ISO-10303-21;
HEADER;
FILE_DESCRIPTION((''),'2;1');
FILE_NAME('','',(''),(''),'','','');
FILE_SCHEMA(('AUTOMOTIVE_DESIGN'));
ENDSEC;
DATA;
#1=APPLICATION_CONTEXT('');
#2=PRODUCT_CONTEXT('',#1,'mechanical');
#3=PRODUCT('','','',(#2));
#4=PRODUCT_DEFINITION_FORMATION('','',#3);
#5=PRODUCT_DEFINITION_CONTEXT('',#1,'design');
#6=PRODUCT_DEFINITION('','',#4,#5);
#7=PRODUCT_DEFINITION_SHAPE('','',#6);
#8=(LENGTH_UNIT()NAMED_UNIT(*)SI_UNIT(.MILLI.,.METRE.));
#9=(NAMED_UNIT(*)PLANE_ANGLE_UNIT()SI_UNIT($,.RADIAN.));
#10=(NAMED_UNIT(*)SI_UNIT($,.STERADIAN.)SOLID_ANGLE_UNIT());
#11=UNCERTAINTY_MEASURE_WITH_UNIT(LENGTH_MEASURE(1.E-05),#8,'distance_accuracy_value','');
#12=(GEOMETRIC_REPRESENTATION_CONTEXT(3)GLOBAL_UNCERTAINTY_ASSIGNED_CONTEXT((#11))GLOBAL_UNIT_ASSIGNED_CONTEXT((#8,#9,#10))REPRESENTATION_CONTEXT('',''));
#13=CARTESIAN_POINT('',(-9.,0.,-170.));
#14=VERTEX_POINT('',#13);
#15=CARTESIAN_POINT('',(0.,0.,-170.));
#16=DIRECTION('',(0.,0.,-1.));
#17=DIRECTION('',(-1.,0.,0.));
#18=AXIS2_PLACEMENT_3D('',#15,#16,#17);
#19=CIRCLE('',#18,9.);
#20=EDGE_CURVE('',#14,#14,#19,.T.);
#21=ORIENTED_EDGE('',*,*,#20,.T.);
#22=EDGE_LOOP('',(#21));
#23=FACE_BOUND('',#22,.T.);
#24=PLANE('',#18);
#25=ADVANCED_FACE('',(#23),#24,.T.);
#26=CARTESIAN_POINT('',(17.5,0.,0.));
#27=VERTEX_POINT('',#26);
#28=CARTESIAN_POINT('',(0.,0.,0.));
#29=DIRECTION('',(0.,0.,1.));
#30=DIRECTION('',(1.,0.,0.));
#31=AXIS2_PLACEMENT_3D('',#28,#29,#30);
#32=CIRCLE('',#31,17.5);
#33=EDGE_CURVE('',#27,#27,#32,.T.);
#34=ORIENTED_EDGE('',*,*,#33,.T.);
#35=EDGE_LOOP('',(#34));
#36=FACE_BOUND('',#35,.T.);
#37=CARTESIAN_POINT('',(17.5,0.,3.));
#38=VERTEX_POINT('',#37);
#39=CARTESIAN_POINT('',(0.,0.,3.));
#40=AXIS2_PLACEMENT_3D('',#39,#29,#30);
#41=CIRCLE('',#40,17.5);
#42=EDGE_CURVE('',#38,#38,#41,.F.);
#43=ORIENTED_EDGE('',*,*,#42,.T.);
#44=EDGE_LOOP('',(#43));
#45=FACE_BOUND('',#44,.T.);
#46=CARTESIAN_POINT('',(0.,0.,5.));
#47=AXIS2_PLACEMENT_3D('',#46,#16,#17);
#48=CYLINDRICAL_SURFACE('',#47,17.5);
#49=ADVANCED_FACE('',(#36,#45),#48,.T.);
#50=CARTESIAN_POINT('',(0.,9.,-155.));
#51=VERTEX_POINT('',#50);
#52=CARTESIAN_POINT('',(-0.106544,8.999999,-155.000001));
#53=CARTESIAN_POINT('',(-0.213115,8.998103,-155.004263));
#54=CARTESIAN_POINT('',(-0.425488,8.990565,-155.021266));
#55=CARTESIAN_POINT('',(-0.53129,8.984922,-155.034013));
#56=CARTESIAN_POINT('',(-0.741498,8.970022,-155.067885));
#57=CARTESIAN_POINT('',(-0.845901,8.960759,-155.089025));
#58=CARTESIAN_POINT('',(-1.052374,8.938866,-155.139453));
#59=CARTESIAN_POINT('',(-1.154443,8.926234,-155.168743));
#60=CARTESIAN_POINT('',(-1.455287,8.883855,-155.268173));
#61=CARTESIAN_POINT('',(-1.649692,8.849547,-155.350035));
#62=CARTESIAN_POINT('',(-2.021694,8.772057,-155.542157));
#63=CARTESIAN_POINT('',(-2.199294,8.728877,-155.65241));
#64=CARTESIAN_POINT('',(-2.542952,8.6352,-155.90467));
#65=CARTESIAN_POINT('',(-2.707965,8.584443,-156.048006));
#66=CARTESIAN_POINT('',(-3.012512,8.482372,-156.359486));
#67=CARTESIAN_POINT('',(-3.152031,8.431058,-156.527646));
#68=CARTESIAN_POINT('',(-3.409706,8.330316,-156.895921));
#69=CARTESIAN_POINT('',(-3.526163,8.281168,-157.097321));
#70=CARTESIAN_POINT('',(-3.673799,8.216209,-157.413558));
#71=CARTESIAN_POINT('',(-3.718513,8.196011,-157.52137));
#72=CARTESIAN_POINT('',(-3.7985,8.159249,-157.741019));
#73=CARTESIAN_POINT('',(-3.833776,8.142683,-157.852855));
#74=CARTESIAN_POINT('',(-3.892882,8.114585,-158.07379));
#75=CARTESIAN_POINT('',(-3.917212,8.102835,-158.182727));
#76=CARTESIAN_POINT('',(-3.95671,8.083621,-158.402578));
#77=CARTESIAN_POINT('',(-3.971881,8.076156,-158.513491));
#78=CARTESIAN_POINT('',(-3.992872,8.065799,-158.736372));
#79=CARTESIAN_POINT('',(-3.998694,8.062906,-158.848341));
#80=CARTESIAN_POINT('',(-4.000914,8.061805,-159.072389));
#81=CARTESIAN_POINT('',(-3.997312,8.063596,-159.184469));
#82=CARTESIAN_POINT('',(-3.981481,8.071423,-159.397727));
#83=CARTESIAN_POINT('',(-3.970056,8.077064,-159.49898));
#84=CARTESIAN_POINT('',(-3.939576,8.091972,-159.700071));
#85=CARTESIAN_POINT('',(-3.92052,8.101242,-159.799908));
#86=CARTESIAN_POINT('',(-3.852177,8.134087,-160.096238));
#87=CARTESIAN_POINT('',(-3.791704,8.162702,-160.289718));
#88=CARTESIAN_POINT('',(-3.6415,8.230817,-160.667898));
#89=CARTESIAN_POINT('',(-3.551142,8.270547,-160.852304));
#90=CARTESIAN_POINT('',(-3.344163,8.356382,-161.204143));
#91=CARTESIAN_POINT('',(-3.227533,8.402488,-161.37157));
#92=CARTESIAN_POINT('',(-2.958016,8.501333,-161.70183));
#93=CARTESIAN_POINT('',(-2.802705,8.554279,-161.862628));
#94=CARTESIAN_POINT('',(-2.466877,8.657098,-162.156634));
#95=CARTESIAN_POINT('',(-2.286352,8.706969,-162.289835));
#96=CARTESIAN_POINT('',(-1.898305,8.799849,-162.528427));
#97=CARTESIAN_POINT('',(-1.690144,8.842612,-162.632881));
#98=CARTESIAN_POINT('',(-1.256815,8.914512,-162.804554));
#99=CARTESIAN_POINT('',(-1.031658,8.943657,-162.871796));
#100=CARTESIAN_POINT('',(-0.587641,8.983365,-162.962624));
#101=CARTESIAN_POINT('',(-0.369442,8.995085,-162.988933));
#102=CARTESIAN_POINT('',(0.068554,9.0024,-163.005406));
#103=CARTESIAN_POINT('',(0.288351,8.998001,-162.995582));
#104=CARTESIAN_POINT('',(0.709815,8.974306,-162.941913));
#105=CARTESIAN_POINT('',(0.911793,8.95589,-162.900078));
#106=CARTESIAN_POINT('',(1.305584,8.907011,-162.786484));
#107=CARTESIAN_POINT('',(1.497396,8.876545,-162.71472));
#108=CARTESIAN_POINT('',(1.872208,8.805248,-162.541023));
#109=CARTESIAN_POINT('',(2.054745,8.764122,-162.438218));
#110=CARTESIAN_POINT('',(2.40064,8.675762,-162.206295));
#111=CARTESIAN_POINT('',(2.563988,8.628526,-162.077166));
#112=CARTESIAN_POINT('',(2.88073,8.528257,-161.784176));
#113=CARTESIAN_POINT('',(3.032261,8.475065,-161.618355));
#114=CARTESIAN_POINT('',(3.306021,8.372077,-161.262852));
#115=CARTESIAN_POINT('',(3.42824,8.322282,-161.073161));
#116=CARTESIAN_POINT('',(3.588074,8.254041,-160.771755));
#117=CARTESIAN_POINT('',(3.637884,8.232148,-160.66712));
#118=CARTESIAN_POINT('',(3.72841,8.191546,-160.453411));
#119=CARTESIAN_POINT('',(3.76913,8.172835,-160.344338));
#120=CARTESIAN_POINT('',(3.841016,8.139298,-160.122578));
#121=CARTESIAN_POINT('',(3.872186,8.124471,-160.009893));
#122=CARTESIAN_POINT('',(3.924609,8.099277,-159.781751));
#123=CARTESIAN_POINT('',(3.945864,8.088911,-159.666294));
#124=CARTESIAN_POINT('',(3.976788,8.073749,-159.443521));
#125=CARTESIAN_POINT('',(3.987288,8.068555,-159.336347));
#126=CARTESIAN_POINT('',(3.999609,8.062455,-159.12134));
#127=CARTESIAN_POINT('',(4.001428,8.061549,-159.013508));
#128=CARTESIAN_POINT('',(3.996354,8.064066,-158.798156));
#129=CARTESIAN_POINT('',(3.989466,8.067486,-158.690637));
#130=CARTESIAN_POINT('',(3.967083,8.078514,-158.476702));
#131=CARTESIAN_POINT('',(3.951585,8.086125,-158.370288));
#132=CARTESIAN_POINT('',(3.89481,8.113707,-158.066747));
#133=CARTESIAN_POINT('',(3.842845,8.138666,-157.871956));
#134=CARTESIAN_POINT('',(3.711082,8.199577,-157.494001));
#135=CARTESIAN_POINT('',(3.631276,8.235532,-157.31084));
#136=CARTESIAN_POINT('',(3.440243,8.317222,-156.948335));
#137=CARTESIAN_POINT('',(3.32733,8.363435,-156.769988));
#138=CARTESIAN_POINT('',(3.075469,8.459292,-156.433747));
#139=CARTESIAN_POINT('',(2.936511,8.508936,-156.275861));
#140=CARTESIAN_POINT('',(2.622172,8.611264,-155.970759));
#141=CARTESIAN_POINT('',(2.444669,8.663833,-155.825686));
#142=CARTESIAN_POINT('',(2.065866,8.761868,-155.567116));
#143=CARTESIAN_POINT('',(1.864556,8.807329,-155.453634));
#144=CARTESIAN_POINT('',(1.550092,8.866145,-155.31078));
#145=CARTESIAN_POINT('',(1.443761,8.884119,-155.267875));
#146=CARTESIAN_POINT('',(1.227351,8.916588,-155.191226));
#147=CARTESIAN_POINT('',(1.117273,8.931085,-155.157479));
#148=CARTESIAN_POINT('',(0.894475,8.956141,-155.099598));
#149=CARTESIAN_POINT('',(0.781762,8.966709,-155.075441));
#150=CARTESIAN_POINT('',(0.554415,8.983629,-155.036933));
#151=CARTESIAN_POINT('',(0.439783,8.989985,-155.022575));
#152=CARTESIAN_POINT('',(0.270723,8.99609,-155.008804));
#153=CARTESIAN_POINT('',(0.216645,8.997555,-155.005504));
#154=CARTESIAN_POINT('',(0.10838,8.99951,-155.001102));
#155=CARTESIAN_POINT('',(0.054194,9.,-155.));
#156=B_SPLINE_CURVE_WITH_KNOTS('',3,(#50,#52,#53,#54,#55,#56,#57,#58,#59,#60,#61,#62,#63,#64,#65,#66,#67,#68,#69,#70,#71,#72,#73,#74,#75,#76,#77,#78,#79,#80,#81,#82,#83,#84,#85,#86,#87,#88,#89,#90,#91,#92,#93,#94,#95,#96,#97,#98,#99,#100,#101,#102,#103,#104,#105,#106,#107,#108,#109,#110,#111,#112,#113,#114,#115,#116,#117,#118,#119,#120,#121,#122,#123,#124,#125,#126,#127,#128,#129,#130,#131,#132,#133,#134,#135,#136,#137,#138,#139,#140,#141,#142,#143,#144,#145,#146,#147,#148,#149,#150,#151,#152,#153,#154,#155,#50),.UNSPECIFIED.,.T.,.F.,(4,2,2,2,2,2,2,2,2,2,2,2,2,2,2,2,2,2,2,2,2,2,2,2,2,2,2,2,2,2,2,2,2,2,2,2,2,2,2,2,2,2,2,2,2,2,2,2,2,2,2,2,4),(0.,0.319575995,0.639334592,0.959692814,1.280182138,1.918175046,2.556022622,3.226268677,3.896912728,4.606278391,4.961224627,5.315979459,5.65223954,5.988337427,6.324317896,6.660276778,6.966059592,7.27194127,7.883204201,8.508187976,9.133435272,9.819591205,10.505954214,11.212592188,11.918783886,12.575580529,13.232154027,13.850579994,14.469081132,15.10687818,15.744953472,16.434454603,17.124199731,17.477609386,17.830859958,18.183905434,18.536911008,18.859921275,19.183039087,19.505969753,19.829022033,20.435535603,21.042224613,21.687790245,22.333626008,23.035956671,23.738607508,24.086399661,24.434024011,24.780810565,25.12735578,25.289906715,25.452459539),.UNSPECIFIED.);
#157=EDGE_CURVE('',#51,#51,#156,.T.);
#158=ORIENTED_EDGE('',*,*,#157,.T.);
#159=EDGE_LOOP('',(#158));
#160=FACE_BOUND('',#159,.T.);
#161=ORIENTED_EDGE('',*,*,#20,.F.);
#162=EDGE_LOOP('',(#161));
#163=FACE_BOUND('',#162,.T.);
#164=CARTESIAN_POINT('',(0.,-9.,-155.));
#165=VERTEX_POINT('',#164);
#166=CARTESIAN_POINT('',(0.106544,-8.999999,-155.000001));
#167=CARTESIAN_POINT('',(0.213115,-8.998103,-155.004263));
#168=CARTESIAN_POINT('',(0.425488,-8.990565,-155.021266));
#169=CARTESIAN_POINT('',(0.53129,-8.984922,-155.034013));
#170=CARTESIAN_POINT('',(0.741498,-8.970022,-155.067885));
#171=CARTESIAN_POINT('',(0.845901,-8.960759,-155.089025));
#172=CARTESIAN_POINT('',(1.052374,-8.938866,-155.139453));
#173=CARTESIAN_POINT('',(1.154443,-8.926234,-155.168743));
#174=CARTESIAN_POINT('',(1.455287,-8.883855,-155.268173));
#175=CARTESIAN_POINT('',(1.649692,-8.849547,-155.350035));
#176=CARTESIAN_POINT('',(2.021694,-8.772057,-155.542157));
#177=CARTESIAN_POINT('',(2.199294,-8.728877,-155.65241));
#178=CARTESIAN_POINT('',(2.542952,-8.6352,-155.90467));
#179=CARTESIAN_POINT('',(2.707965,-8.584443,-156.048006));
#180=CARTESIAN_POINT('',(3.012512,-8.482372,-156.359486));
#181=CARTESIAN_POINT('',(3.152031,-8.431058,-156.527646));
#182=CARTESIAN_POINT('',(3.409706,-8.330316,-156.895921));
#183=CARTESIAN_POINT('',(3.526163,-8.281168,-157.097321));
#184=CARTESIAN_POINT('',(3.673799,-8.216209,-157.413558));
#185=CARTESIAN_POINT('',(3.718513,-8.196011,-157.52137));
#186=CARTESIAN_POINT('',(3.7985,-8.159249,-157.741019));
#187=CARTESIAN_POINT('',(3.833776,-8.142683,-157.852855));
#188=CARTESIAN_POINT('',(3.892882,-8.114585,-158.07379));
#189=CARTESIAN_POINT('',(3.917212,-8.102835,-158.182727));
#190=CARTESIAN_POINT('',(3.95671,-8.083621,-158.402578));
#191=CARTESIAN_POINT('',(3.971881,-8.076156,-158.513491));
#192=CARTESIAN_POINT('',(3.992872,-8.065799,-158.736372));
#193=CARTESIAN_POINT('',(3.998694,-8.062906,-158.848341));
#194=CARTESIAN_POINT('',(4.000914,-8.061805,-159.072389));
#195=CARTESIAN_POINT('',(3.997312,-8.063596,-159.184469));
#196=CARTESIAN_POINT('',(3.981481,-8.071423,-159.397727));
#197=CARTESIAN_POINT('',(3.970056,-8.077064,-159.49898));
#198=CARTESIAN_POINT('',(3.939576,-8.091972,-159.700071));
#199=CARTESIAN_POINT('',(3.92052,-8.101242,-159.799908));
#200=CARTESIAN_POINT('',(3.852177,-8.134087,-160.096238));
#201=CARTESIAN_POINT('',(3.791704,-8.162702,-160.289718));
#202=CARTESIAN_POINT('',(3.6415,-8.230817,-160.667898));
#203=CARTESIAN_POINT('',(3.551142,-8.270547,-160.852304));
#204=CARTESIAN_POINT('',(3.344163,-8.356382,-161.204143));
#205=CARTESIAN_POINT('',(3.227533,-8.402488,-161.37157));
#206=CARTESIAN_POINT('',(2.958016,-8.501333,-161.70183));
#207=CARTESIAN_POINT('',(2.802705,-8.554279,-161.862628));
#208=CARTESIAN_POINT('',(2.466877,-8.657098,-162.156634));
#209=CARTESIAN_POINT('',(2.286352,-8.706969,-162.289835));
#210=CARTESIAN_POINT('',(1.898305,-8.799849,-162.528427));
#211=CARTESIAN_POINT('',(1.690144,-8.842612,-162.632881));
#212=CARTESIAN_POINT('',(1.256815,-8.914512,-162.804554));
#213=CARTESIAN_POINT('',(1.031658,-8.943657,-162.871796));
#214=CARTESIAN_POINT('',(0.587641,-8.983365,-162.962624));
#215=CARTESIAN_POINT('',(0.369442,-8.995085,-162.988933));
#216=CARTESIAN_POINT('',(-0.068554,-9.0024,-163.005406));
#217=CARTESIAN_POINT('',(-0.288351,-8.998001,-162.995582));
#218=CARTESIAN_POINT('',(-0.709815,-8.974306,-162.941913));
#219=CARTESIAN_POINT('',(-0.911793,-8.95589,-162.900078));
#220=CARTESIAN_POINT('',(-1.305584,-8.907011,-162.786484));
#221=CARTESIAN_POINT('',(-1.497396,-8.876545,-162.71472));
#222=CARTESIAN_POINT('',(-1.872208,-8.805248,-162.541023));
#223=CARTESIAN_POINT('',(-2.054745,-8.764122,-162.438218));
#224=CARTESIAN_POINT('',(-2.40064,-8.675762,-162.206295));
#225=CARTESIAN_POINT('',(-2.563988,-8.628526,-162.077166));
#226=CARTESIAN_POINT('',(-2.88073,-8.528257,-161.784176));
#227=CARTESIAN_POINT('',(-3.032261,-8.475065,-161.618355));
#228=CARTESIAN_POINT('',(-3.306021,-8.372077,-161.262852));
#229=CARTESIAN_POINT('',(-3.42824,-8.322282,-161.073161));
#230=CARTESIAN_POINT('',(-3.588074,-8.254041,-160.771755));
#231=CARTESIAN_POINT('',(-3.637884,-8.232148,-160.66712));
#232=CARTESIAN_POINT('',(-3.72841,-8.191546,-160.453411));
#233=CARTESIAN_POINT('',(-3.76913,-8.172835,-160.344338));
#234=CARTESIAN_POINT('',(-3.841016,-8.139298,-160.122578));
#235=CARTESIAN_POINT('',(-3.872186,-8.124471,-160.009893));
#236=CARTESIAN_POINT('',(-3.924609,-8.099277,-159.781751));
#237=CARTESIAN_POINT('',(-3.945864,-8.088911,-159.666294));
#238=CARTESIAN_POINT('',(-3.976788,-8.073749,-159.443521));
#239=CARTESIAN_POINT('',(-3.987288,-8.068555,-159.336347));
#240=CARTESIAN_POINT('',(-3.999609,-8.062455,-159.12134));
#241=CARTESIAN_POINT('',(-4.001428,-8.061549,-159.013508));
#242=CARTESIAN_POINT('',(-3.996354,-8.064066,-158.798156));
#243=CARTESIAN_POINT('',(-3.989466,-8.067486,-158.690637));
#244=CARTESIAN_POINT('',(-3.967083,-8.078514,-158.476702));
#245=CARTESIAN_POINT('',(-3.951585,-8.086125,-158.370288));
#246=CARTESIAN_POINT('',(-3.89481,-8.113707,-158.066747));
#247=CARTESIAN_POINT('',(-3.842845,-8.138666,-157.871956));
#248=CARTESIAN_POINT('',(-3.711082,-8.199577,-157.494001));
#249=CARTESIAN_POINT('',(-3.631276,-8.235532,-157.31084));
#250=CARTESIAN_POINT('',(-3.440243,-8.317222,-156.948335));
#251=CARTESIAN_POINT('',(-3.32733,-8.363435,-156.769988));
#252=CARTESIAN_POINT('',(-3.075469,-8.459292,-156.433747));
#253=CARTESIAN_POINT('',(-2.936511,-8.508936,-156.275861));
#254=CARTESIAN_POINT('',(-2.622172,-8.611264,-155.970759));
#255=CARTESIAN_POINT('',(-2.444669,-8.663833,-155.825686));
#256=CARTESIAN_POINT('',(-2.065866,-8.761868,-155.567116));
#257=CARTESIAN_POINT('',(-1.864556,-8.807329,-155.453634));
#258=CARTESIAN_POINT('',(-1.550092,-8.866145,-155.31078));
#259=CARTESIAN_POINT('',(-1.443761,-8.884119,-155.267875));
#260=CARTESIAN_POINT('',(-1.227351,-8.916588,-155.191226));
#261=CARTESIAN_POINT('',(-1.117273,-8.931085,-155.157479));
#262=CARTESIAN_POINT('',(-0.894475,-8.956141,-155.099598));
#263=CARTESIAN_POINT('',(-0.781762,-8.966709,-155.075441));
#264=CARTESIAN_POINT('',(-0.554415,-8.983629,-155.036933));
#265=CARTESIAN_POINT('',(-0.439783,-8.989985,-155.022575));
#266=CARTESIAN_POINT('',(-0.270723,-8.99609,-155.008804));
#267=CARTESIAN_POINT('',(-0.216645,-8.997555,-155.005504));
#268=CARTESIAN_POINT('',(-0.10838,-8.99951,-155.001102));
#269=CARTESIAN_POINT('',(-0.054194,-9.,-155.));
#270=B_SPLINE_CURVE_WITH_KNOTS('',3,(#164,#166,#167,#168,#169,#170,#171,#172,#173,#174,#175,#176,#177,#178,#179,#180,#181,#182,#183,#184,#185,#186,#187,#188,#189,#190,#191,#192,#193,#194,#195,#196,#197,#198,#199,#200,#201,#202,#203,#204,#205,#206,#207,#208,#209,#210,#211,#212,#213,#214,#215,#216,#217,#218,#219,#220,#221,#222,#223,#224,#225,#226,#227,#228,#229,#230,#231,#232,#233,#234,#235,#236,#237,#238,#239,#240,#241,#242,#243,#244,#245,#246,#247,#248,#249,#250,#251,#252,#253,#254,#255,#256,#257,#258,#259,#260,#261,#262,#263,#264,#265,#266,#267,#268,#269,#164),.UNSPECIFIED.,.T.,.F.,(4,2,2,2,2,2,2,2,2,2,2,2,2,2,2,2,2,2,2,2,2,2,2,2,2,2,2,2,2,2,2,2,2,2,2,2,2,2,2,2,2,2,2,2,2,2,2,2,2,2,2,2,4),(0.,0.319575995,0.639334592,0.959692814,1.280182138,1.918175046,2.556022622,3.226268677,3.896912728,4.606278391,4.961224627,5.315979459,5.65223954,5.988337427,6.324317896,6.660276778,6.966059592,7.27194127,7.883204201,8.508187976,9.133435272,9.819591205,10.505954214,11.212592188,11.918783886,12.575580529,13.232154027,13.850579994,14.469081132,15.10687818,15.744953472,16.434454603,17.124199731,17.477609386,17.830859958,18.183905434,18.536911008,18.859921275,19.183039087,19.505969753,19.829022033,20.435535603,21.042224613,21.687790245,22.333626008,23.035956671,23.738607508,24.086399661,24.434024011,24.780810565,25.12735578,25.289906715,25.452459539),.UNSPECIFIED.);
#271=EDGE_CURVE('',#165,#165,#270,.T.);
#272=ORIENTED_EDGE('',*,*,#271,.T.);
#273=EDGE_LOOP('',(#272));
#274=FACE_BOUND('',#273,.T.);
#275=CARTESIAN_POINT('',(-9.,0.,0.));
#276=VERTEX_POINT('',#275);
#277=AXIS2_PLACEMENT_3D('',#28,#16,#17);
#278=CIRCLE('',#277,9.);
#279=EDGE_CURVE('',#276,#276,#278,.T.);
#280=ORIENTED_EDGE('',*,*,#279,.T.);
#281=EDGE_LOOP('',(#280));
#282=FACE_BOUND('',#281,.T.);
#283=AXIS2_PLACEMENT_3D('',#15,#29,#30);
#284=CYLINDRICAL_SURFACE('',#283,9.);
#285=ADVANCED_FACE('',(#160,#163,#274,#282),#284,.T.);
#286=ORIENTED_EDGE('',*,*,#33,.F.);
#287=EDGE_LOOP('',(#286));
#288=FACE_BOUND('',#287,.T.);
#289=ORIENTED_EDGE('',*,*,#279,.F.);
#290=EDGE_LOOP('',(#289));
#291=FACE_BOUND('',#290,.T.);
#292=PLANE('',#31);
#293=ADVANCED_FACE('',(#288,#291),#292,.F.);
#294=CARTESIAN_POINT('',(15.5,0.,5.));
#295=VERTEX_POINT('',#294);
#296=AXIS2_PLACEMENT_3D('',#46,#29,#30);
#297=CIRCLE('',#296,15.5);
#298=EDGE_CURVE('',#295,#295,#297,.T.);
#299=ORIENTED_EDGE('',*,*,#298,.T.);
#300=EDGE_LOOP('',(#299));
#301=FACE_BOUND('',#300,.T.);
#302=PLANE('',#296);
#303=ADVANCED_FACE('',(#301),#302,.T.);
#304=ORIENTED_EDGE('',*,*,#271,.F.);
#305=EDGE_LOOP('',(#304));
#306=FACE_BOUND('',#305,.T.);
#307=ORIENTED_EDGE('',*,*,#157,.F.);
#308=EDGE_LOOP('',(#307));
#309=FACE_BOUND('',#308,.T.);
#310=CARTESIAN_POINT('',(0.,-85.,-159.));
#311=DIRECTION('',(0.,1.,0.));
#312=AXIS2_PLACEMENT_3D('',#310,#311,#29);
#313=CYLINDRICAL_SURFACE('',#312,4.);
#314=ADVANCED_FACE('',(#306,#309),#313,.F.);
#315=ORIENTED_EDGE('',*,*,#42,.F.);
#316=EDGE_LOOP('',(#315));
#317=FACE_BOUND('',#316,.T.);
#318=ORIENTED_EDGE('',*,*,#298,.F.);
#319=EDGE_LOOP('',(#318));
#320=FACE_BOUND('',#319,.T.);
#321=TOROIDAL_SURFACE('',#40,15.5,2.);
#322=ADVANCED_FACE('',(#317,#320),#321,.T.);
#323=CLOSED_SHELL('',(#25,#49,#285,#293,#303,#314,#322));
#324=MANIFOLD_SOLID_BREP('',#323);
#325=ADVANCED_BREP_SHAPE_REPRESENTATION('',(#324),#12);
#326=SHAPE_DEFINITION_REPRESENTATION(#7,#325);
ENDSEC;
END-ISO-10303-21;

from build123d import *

# Parameters (mm, degrees)
IZIM1_R                     = 17.5
Y_KSEKLIK_EKSTR_ZYON1_DEPTH = 5
RADYUS1_R                   = 2
IZIM2_R                     = 9
Y_KSEKLIK_EKSTR_ZYON2_DEPTH = 170
IZIM3_R                     = 4
KES_EKSTR_ZYON1_DEPTH       = 85


with BuildPart() as part:
    # Çizim1 → Yükseklik-Ekstrüzyon1 (new body)
    with BuildSketch(Plane.XY):
        Circle(IZIM1_R)
    extrude(amount=Y_KSEKLIK_EKSTR_ZYON1_DEPTH)

    # Radyus1
    radyus1_edges = [part.edges().sort_by_distance(p)[0] for p in [
        (-17.5, 0, 5),
    ]]
    fillet(radyus1_edges, radius=RADYUS1_R)

    # Çizim2 → Yükseklik-Ekstrüzyon2 (add)
    with BuildSketch(Plane(origin=(0, 0, 0), x_dir=(-1, 0, 0), z_dir=(0, 0, -1))):
        Circle(IZIM2_R)
    extrude(amount=Y_KSEKLIK_EKSTR_ZYON2_DEPTH)

    # Çizim3 → Kes-Ekstrüzyon1 (cut, symmetric)
    with BuildSketch(Plane(origin=(0, 0, 0), x_dir=(1, 0, 0), z_dir=(0, 1, 0))):
        with Locations((0, 159)):
            Circle(IZIM3_R)
    extrude(amount=KES_EKSTR_ZYON1_DEPTH, both=True, mode=Mode.SUBTRACT)


solid = part.part
